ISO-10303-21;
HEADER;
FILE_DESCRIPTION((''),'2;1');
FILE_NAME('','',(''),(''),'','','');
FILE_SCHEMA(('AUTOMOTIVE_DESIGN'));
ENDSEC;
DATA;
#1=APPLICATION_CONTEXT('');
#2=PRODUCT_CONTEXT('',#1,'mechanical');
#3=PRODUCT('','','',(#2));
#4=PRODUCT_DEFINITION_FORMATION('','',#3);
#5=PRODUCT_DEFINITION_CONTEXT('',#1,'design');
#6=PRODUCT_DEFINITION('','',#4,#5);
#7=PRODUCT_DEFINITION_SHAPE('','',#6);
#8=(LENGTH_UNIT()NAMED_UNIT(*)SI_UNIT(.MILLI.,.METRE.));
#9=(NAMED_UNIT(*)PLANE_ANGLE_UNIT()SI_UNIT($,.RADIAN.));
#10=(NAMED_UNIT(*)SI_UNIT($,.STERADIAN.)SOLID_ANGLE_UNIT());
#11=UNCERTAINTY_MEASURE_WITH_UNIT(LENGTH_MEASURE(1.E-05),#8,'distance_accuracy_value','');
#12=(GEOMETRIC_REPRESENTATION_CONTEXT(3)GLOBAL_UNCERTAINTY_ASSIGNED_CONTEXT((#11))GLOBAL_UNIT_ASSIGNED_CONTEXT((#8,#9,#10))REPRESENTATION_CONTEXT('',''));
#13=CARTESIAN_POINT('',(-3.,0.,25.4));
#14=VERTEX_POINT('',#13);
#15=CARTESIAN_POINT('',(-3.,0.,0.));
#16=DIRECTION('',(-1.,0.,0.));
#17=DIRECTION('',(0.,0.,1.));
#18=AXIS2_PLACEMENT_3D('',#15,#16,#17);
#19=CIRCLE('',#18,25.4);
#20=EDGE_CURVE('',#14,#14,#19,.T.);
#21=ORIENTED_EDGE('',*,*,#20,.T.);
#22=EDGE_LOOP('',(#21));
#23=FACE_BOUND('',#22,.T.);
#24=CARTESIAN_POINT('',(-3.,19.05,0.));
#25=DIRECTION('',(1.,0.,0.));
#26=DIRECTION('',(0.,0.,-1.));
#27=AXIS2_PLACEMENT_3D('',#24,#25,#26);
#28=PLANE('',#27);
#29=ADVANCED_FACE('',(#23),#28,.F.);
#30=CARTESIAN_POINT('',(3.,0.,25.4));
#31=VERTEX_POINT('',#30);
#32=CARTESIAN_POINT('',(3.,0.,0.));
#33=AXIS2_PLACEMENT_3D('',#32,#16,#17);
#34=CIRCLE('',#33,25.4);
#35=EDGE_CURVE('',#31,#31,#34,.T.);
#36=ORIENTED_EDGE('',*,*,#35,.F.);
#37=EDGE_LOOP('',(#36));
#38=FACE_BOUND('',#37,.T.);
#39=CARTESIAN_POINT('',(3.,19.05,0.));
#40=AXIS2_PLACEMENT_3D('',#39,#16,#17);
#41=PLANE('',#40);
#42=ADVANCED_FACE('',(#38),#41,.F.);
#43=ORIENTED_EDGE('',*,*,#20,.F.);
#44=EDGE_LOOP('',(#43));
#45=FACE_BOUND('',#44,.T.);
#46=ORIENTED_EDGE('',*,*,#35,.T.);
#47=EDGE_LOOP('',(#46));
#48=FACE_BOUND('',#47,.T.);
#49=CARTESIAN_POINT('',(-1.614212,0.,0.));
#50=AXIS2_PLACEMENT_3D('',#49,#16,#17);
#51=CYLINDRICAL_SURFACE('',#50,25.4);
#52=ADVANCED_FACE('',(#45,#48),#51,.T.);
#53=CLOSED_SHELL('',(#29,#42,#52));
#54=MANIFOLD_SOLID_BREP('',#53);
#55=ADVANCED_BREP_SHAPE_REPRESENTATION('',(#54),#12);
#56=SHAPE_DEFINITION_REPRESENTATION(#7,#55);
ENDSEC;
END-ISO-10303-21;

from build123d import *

# Parameters (mm, degrees)
SKETCH_1_W = 6
SKETCH_1_H = 19.05
SKETCH_4_W = 6
SKETCH_4_H = 6.35


with BuildPart() as part:
    # 草图1 → 旋转2 (revolve)
    with BuildSketch(Plane.XY, mode=Mode.PRIVATE) as revolve_2_sk:
        with Locations((0, 9.525)):
            Rectangle(SKETCH_1_W, SKETCH_1_H)
    revolve(revolve_2_sk.sketch.rotate(Axis((-3, 0, 0), (1, 0, 0)), 90), axis=Axis((-3, 0, 0), (1, 0, 0)))  # turned: the seam where the file's is

    # 草图4 → 旋转3 (revolve)
    with BuildSketch(Plane.XY, mode=Mode.PRIVATE) as revolve_3_sk:
        with Locations((0, 22.225)):
            Rectangle(SKETCH_4_W, SKETCH_4_H)
    revolve(revolve_3_sk.sketch.rotate(Axis((-1.614212419, 0, 0), (1, 0, 0)), 90), axis=Axis((-1.614212419, 0, 0), (1, 0, 0)))  # turned: the seam where the file's is


solid = part.part
